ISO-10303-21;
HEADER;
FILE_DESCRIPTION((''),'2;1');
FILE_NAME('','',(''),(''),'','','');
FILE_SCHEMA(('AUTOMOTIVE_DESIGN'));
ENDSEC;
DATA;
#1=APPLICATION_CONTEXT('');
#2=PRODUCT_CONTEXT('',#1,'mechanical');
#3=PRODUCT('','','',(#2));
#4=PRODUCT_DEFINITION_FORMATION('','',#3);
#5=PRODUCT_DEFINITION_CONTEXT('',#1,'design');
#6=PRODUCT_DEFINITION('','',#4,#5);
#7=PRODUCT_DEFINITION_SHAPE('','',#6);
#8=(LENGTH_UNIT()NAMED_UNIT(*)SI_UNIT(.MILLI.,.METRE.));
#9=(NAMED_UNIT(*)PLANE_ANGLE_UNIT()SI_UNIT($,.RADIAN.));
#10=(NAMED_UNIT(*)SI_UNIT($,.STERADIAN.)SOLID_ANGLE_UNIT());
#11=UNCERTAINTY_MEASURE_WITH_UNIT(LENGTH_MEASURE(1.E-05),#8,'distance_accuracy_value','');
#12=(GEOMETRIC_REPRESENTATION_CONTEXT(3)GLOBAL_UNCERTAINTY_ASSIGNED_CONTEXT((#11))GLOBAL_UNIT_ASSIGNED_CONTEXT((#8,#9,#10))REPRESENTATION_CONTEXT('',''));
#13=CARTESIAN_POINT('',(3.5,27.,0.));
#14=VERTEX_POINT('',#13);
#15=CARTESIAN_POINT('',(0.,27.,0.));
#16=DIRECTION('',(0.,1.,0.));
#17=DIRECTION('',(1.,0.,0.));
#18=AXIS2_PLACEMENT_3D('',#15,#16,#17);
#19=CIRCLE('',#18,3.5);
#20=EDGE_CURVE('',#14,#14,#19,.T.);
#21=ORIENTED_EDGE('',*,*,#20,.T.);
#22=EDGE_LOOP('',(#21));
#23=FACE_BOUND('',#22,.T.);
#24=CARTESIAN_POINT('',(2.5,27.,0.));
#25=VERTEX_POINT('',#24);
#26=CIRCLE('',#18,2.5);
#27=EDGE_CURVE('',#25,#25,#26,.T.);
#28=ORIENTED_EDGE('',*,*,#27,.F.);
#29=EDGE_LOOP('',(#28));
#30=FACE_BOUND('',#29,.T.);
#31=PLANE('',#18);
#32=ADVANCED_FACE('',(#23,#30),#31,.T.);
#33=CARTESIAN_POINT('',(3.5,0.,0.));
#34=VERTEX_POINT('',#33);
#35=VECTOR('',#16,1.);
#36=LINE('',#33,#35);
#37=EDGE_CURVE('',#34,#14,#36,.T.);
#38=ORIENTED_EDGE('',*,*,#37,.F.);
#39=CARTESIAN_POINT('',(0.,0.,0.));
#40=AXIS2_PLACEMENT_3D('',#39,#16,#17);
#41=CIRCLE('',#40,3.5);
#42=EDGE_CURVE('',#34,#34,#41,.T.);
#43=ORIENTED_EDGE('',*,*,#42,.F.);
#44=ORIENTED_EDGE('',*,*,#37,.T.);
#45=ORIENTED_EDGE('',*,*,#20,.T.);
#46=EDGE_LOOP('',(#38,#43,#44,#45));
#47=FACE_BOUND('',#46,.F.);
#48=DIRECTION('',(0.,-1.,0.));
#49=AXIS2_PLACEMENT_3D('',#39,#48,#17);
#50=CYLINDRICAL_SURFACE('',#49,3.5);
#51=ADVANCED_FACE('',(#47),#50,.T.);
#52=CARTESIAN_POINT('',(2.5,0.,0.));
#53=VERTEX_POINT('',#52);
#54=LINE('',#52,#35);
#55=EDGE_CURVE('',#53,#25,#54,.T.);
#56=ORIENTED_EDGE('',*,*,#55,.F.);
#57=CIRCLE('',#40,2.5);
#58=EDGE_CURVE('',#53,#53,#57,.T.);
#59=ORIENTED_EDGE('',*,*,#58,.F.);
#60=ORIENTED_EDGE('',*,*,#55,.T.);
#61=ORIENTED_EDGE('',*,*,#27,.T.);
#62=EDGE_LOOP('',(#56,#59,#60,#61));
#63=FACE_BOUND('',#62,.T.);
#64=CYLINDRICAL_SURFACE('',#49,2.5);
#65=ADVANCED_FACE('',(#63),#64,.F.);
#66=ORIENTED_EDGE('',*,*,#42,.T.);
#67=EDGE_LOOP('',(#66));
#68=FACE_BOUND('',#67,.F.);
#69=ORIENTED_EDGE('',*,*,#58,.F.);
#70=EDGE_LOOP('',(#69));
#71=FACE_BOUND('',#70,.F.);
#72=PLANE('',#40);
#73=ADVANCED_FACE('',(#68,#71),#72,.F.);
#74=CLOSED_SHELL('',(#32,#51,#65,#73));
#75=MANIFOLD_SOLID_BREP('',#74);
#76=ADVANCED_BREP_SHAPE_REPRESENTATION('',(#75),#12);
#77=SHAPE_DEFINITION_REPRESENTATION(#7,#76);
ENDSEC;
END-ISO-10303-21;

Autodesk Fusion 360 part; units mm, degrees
sketch "Sketch1" plane through (0, 0, 0) normal (0, 1, 0) x (1, 0, 0)
  circle A0 centre (0, 0) radius 2.5
  circle A1 centre (0, 0) radius 3.5
  dimension "d1" = 5
  dimension "d2" = 7
extrude "Extrude1" add sketch "Sketch1" along normal blind 27
